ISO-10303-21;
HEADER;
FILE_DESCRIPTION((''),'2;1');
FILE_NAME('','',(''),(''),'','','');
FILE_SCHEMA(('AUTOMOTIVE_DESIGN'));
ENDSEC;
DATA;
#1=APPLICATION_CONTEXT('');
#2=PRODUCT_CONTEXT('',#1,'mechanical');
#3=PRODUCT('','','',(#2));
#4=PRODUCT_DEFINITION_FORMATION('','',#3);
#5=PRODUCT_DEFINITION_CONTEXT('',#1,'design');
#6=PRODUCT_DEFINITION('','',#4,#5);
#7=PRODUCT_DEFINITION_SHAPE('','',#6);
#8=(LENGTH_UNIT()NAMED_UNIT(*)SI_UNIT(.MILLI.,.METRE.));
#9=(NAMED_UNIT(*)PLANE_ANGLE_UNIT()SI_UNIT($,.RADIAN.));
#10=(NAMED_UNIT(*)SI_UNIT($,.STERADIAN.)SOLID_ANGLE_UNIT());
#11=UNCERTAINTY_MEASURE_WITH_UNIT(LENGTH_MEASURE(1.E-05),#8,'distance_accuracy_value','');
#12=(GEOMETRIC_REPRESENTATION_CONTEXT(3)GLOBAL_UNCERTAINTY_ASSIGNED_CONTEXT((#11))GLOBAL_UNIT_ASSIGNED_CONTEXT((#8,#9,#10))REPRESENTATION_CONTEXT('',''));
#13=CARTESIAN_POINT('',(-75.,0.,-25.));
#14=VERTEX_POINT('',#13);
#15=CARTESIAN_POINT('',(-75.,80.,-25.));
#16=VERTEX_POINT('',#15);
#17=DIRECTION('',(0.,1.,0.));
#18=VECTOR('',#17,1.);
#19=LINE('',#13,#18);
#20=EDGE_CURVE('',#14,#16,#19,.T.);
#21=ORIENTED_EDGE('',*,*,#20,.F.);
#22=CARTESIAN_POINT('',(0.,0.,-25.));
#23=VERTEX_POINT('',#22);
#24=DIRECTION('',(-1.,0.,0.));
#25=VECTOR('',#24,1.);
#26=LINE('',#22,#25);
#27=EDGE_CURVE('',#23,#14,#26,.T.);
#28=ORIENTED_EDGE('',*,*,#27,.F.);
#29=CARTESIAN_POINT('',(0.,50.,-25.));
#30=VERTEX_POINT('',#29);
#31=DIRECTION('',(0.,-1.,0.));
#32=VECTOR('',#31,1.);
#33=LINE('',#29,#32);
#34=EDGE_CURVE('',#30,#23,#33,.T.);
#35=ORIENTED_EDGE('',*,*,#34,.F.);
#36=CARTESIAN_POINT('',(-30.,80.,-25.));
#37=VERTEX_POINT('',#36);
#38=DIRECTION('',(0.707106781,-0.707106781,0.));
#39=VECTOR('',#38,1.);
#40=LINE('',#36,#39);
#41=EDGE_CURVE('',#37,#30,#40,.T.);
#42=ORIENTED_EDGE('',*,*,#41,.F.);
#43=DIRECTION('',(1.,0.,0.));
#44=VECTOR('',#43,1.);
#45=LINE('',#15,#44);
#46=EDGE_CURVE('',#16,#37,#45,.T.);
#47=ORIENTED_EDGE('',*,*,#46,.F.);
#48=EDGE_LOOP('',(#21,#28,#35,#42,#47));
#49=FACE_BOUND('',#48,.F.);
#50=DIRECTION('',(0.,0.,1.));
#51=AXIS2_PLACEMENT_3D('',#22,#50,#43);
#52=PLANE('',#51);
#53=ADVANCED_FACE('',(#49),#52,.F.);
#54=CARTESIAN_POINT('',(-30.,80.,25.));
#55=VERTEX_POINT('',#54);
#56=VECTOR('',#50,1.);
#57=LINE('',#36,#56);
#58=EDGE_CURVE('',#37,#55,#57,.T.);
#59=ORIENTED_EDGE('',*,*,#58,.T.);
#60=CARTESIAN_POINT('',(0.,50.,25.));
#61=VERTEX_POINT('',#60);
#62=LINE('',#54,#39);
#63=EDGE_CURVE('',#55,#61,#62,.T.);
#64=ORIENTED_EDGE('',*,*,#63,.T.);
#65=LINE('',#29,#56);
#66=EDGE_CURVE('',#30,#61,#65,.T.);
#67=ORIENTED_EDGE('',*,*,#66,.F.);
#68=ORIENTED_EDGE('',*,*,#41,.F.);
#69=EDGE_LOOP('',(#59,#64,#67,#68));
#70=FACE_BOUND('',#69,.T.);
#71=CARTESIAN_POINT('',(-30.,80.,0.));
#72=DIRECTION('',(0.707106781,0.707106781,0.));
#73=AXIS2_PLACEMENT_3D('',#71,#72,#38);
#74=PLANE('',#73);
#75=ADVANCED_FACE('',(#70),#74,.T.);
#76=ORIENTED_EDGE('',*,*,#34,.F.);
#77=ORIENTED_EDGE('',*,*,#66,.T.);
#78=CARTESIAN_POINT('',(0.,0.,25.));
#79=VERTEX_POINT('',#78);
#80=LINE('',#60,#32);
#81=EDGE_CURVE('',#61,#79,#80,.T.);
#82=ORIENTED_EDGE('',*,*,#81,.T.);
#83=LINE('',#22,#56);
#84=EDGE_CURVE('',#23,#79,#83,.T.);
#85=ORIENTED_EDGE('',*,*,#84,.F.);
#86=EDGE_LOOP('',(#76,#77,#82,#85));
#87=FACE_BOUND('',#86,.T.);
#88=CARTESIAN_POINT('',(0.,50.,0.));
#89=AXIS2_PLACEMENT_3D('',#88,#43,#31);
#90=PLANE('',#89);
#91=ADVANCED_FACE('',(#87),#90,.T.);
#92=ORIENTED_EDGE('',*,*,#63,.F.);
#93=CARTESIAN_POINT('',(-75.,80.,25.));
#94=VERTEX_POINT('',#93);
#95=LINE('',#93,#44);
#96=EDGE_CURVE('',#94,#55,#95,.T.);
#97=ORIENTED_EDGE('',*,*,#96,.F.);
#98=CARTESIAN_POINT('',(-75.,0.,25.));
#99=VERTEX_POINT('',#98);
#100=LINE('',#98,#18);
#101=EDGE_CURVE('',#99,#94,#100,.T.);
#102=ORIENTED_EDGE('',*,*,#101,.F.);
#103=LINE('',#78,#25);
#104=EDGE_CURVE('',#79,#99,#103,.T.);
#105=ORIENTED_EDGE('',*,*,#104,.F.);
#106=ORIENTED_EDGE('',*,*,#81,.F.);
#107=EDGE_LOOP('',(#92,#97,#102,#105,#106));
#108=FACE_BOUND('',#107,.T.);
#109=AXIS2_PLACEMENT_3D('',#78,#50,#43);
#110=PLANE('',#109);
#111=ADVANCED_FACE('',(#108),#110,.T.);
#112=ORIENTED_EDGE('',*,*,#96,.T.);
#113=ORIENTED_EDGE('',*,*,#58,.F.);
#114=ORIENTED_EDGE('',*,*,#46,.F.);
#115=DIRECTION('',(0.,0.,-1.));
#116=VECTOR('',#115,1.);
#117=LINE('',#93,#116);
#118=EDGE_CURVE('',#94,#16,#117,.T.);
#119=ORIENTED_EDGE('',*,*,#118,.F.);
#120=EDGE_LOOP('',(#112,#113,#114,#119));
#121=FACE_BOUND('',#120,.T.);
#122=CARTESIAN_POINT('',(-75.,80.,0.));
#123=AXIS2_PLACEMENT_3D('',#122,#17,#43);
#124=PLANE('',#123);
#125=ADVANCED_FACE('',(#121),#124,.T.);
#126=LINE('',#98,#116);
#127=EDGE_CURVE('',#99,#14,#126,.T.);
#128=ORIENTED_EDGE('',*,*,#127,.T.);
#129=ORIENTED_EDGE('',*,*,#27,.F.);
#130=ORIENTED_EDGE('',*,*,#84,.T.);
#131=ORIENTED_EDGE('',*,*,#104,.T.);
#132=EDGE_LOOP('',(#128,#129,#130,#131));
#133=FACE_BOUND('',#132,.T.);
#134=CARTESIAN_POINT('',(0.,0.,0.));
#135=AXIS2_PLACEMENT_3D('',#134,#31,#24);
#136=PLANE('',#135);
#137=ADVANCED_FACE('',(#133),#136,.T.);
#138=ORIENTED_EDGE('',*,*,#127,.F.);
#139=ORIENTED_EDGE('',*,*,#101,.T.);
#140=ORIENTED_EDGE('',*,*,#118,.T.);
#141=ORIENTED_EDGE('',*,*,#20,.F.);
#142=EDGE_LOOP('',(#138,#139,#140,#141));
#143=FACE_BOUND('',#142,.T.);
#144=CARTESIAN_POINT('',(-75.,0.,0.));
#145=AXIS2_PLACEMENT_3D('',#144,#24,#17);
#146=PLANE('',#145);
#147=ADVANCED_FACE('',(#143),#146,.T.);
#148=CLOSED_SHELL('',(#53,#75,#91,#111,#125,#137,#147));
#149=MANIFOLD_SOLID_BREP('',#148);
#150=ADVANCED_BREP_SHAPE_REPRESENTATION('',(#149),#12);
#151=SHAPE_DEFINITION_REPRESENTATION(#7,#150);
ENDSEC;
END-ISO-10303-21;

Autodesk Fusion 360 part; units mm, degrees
sketch "Sketch1" plane through (0, 0, 0) normal (0, 0, 1) x (1, 0, 0)
  line L0 (0, 0) -> (-75, 0)
  line L1 (-75, 0) -> (-75, 80)
  line L2 (-75, 80) -> (-30, 80)
  line L3 (-30, 80) -> (0, 50)
  line L4 (0, 50) -> (0, 0)
  dimension "d1" = 75
  dimension "d2" = 80
  dimension "d3" = 135
  dimension "d4" = 50
extrude "Extrude1" add sketch "Sketch1" along normal mid plane 50
